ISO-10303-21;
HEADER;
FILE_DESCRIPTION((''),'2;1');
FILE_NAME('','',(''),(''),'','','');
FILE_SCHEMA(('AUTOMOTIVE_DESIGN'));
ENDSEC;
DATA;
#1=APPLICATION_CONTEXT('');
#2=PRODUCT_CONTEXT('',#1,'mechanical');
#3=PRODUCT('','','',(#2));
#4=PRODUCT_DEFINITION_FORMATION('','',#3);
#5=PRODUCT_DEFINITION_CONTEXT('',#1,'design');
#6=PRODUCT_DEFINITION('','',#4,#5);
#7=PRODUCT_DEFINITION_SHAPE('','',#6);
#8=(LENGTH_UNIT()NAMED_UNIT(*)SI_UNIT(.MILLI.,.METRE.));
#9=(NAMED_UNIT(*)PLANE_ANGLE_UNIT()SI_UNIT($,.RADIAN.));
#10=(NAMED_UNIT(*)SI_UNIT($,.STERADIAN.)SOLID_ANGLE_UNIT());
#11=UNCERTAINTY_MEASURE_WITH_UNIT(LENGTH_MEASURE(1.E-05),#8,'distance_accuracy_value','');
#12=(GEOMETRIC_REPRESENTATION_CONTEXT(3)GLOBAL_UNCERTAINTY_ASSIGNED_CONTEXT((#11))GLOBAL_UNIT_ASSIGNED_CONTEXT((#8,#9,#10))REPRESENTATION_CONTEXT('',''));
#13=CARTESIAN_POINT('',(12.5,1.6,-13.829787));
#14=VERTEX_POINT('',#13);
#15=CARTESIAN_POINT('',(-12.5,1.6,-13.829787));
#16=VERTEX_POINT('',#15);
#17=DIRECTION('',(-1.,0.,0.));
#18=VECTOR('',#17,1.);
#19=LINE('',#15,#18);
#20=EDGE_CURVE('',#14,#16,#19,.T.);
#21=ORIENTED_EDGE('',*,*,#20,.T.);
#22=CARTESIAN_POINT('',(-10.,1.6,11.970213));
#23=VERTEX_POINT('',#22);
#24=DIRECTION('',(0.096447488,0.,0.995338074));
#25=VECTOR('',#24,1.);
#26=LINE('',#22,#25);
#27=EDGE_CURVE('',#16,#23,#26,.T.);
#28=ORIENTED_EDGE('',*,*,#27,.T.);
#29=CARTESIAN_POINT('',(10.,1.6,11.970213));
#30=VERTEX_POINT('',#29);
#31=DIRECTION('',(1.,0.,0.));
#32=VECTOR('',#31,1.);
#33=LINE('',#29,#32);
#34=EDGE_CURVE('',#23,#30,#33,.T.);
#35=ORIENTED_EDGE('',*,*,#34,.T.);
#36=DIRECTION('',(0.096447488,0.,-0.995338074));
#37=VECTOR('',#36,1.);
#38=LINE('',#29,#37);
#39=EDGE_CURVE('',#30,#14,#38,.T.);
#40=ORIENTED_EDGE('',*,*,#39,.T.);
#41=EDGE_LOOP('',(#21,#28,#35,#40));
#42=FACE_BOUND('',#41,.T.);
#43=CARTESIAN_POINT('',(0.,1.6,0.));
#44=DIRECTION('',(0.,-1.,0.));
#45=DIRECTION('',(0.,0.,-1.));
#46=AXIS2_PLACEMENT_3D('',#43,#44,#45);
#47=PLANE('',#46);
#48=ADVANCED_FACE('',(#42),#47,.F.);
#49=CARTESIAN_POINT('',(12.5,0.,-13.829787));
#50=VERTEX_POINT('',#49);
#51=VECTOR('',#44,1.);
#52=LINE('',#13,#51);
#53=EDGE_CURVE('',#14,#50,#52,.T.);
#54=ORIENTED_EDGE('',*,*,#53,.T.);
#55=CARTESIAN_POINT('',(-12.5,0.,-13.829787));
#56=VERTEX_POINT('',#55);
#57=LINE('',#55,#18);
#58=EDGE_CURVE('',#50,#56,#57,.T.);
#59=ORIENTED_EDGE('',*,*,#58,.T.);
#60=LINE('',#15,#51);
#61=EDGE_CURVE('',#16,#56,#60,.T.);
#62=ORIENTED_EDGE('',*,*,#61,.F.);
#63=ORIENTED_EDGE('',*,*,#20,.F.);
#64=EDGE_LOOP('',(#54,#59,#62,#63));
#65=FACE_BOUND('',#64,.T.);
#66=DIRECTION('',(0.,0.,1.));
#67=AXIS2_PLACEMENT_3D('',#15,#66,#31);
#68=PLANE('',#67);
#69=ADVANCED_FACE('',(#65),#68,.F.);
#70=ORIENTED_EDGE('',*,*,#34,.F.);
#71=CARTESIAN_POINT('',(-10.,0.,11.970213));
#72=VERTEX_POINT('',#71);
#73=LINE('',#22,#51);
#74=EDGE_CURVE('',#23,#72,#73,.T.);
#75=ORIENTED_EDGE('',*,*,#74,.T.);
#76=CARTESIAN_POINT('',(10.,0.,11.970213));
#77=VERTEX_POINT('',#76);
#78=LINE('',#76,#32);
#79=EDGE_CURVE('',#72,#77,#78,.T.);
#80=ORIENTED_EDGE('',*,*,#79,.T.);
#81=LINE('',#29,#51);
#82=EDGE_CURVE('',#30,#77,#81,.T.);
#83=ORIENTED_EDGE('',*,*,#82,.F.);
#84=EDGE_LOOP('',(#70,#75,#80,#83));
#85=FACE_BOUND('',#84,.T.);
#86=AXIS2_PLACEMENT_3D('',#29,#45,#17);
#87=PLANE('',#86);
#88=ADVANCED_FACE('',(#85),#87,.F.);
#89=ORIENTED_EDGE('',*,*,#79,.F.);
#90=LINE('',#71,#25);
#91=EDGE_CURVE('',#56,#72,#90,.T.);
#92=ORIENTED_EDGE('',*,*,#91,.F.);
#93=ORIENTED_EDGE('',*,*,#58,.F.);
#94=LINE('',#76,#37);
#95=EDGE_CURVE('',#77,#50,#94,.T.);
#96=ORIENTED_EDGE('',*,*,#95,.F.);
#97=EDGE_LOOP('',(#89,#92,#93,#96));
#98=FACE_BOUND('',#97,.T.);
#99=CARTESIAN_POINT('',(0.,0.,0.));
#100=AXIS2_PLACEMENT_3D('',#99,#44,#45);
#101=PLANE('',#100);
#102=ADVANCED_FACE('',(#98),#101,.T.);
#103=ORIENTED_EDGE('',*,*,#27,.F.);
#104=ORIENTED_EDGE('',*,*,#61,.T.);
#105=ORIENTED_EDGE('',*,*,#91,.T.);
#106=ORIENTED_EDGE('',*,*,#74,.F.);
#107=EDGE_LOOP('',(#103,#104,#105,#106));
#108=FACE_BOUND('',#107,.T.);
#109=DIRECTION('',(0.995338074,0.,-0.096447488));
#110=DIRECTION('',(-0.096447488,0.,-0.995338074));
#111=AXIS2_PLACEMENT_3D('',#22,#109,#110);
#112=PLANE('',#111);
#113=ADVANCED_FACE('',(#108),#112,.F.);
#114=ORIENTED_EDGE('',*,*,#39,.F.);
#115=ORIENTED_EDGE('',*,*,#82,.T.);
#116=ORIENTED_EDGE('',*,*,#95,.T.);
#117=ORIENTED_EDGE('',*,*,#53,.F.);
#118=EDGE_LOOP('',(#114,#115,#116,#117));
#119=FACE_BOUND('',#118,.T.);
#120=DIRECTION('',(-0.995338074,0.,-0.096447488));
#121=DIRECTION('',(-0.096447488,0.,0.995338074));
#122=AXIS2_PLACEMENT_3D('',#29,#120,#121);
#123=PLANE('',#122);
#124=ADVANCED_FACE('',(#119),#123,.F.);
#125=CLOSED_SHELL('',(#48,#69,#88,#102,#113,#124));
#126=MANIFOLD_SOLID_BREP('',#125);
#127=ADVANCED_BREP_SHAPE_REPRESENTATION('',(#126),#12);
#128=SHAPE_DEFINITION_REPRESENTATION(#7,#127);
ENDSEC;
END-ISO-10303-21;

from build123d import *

# Parameters (mm, degrees)
BOSS_EXTRUDE1_DEPTH = 1.6


with BuildPart() as part:
    # Sketch1 → Boss-Extrude1 (new body)
    with BuildSketch(Plane(origin=(0, 0, 0), x_dir=(1, 0, 0), z_dir=(0, 1, 0))):
        Polygon((10, -11.970212766), (-10, -11.970212766), (-12.5, 13.829787234), (12.5, 13.829787234), align=None)
    extrude(amount=BOSS_EXTRUDE1_DEPTH)


solid = part.part
